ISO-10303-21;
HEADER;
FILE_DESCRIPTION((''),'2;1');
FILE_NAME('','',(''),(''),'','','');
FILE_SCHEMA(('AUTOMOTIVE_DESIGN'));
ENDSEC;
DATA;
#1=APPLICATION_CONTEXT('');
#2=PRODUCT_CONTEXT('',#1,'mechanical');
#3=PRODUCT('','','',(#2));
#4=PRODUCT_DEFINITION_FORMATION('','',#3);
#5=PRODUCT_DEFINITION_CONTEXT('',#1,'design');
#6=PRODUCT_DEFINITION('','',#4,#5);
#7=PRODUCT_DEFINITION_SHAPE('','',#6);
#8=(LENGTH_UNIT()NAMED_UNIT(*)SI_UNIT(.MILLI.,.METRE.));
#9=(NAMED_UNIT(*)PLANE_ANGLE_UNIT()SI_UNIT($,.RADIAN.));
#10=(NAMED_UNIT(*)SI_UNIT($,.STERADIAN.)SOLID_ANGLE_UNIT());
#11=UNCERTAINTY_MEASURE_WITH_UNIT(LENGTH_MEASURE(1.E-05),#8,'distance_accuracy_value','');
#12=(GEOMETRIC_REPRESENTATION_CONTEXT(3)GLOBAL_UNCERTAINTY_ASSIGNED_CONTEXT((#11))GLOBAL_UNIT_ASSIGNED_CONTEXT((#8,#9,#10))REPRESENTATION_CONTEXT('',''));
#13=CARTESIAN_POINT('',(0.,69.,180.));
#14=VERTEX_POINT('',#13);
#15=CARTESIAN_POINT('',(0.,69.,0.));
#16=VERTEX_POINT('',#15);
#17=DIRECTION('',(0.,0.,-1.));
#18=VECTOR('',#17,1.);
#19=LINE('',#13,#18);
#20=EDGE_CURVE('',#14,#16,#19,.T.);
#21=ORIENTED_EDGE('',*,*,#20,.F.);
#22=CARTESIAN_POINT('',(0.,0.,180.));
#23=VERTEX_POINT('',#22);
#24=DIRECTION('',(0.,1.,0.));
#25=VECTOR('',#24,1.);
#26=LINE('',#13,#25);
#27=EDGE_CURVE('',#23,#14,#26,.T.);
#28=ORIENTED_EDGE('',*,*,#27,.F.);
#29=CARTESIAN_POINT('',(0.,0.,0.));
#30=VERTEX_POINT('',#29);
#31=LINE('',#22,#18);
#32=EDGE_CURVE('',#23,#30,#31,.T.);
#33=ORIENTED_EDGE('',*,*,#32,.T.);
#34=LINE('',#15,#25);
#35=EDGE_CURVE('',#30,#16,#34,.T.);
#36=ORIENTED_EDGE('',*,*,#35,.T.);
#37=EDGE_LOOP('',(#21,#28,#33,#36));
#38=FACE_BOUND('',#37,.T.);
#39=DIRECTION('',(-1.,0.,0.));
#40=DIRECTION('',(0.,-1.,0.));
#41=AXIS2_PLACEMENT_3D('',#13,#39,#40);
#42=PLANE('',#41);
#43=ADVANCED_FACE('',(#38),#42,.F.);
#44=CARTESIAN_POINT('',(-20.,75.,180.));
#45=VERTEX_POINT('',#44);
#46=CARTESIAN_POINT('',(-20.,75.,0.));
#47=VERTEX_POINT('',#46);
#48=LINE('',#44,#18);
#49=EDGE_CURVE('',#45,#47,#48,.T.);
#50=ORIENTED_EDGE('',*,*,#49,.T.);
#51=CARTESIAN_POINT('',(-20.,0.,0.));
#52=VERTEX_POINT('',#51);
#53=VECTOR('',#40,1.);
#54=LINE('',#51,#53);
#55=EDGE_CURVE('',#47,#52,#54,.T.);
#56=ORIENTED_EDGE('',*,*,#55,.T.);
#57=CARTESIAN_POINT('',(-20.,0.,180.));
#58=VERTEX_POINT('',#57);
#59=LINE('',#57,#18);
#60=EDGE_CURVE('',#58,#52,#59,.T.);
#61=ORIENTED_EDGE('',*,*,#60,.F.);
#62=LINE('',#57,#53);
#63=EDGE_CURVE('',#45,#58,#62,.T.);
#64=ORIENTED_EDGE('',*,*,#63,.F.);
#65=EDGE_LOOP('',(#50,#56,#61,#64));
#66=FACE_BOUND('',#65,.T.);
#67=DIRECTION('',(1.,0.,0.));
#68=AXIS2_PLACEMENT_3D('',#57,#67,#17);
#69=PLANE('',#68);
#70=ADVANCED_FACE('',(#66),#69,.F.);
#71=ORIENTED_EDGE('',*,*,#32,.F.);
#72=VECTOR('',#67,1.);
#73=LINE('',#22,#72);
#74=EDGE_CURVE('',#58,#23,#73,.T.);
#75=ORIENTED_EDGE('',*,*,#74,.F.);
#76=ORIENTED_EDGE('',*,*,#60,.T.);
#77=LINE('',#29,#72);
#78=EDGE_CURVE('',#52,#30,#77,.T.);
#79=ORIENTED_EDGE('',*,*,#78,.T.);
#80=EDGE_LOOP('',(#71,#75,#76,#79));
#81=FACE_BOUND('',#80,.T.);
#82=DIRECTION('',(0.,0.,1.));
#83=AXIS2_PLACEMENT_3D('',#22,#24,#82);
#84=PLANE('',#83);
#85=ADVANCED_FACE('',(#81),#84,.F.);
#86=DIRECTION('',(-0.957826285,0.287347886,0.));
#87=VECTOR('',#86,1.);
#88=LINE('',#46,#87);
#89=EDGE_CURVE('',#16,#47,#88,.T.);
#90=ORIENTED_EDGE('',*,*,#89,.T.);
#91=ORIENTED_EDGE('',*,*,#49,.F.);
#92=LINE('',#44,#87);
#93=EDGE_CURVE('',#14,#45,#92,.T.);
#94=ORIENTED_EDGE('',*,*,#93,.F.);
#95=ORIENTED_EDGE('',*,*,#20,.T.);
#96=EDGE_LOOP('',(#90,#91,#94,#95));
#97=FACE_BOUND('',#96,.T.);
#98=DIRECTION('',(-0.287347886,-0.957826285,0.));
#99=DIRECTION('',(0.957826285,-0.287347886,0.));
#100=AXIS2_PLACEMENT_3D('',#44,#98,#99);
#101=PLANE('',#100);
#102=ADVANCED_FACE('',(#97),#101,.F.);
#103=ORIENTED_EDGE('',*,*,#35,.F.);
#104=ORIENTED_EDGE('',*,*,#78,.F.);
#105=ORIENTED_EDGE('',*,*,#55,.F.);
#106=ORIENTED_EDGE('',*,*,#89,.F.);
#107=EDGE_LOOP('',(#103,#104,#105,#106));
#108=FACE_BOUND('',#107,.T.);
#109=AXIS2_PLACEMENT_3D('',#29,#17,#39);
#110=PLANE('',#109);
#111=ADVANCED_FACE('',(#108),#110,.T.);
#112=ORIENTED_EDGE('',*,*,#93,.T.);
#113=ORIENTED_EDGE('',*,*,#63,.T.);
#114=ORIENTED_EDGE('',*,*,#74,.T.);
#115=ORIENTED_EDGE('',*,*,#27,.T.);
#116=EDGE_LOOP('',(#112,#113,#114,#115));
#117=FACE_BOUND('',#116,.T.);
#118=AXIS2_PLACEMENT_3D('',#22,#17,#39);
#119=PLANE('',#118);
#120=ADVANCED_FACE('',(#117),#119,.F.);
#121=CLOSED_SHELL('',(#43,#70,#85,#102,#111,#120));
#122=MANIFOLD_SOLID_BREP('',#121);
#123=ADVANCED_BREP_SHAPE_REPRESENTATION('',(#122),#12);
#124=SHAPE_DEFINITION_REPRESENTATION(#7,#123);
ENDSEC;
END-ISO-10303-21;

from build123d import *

# Parameters (mm, degrees)
BOSS_EXTRUDE1_DEPTH = 180


with BuildPart() as part:
    # Sketch1 → Boss-Extrude1 (new body)
    with BuildSketch(Plane.XY):
        Polygon((0, 0), (-20, 0), (-20, 75), (0, 69), align=None)
    extrude(amount=BOSS_EXTRUDE1_DEPTH)


solid = part.part
